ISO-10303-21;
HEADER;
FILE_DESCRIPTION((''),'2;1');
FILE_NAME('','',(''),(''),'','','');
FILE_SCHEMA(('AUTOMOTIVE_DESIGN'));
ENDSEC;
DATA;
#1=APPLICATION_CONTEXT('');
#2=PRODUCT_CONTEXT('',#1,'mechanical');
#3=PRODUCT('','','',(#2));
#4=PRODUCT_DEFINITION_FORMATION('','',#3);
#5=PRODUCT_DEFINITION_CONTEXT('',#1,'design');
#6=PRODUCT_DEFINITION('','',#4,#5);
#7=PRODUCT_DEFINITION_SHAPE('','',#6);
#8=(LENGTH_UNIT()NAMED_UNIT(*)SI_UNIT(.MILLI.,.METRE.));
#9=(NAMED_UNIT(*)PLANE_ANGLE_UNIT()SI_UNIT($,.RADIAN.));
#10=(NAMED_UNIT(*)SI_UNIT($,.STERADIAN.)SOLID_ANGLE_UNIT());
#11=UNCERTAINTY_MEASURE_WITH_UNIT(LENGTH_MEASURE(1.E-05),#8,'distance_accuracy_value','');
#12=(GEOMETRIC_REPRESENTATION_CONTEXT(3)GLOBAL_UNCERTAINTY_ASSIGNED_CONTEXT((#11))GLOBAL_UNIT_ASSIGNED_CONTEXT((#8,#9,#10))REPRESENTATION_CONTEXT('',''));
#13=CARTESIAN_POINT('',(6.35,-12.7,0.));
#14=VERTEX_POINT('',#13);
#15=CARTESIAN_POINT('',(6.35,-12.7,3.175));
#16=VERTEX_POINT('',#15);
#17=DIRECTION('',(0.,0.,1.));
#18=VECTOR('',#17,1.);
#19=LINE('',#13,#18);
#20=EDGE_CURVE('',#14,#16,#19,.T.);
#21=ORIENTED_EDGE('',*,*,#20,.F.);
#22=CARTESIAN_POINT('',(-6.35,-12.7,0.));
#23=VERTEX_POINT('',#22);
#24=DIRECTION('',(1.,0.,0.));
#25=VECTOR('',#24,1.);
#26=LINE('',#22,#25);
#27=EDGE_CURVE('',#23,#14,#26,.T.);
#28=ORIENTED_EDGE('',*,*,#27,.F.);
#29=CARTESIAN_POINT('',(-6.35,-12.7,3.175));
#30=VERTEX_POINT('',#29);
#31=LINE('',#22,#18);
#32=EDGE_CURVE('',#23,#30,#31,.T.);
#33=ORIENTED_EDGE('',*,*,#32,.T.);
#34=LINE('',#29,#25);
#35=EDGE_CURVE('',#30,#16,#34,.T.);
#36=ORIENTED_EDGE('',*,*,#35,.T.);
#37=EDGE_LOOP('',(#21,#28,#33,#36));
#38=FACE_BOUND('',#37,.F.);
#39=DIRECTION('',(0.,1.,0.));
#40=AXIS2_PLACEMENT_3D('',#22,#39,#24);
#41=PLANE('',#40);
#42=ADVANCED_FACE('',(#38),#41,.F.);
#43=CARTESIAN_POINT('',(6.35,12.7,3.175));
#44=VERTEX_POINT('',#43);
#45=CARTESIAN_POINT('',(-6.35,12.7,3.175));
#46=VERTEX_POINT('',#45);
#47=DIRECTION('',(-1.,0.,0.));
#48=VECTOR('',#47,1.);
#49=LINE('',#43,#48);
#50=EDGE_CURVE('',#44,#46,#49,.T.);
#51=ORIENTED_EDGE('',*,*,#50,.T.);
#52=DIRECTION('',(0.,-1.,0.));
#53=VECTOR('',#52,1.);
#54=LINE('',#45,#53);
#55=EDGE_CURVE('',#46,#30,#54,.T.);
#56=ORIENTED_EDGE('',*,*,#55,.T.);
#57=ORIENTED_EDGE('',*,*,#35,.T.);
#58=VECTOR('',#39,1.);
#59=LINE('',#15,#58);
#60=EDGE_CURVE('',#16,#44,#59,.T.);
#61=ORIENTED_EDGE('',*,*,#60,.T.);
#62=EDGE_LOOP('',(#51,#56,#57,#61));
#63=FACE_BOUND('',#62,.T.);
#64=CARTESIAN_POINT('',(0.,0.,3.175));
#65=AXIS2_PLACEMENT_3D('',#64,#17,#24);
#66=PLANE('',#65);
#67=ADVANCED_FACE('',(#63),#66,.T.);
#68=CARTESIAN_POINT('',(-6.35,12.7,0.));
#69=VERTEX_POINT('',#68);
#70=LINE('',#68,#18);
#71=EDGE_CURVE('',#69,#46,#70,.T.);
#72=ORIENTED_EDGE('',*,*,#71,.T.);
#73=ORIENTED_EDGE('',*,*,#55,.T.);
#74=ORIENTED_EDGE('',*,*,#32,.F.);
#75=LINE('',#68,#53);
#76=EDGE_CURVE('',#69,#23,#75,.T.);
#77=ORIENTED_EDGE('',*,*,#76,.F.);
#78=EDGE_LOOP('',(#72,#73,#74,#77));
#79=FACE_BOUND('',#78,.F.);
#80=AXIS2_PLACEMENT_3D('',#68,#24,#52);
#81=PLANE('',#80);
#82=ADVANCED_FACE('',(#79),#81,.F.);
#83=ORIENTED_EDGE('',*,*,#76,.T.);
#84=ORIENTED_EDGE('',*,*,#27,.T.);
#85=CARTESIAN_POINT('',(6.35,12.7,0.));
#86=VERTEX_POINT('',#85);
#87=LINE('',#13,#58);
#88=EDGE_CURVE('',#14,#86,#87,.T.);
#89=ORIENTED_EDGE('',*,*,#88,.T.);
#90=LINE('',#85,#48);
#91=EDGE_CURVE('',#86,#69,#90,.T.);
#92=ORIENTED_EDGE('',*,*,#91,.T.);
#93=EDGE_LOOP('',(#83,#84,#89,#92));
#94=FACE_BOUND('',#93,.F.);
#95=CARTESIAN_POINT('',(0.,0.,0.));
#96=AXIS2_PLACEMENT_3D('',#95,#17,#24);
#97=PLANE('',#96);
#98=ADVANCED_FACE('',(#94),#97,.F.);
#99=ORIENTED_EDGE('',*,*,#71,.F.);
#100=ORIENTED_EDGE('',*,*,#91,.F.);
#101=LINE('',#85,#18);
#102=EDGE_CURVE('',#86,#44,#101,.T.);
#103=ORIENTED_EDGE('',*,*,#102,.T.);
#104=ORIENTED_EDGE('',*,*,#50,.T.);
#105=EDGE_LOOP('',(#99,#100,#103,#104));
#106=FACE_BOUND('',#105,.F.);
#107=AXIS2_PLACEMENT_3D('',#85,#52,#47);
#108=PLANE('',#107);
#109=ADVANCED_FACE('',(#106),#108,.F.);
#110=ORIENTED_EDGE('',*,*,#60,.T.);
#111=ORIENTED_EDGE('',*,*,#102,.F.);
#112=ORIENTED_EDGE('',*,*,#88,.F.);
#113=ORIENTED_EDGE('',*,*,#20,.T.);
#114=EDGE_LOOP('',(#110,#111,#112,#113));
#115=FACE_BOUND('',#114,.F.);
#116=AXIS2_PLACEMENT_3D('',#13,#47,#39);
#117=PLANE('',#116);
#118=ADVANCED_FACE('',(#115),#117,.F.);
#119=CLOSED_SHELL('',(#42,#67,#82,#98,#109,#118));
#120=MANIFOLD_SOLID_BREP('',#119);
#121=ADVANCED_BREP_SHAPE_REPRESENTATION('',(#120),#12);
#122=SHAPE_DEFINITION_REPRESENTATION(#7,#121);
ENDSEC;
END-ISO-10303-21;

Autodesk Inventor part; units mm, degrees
ref_plane "YZ Plane" through (0, 0, 0) normal (1, 0, 0) x (0, 1, 0)
ref_plane "XZ Plane" through (0, 0, 0) normal (0, 1, 0) x (-1, 0, 0)
ref_plane "XY Plane" through (0, 0, 0) normal (0, 0, 1) x (1, 0, 0)
sketch "Sketch1" plane through (0, 0, 0) normal (0, 0, 1) x (1, 0, 0)
  line L0 (-6.35, -12.7) -> (6.35, -12.7)
  line L1 (6.35, -12.7) -> (6.35, 12.7)
  line L2 (6.35, 12.7) -> (-6.35, 12.7)
  line L3 (-6.35, 12.7) -> (-6.35, -12.7)
  line L4 (-6.35, -12.7) -> (6.35, 12.7) construction
  line L5 (6.35, -12.7) -> (-6.35, 12.7) construction
  point P0 (0, 0)
  dimension "d0" = 12.7
  dimension "d1" = 25.4
extrude "Extrusion1" add sketch "Sketch1" along normal blind 3.175
properties part number "Power to Motora"
